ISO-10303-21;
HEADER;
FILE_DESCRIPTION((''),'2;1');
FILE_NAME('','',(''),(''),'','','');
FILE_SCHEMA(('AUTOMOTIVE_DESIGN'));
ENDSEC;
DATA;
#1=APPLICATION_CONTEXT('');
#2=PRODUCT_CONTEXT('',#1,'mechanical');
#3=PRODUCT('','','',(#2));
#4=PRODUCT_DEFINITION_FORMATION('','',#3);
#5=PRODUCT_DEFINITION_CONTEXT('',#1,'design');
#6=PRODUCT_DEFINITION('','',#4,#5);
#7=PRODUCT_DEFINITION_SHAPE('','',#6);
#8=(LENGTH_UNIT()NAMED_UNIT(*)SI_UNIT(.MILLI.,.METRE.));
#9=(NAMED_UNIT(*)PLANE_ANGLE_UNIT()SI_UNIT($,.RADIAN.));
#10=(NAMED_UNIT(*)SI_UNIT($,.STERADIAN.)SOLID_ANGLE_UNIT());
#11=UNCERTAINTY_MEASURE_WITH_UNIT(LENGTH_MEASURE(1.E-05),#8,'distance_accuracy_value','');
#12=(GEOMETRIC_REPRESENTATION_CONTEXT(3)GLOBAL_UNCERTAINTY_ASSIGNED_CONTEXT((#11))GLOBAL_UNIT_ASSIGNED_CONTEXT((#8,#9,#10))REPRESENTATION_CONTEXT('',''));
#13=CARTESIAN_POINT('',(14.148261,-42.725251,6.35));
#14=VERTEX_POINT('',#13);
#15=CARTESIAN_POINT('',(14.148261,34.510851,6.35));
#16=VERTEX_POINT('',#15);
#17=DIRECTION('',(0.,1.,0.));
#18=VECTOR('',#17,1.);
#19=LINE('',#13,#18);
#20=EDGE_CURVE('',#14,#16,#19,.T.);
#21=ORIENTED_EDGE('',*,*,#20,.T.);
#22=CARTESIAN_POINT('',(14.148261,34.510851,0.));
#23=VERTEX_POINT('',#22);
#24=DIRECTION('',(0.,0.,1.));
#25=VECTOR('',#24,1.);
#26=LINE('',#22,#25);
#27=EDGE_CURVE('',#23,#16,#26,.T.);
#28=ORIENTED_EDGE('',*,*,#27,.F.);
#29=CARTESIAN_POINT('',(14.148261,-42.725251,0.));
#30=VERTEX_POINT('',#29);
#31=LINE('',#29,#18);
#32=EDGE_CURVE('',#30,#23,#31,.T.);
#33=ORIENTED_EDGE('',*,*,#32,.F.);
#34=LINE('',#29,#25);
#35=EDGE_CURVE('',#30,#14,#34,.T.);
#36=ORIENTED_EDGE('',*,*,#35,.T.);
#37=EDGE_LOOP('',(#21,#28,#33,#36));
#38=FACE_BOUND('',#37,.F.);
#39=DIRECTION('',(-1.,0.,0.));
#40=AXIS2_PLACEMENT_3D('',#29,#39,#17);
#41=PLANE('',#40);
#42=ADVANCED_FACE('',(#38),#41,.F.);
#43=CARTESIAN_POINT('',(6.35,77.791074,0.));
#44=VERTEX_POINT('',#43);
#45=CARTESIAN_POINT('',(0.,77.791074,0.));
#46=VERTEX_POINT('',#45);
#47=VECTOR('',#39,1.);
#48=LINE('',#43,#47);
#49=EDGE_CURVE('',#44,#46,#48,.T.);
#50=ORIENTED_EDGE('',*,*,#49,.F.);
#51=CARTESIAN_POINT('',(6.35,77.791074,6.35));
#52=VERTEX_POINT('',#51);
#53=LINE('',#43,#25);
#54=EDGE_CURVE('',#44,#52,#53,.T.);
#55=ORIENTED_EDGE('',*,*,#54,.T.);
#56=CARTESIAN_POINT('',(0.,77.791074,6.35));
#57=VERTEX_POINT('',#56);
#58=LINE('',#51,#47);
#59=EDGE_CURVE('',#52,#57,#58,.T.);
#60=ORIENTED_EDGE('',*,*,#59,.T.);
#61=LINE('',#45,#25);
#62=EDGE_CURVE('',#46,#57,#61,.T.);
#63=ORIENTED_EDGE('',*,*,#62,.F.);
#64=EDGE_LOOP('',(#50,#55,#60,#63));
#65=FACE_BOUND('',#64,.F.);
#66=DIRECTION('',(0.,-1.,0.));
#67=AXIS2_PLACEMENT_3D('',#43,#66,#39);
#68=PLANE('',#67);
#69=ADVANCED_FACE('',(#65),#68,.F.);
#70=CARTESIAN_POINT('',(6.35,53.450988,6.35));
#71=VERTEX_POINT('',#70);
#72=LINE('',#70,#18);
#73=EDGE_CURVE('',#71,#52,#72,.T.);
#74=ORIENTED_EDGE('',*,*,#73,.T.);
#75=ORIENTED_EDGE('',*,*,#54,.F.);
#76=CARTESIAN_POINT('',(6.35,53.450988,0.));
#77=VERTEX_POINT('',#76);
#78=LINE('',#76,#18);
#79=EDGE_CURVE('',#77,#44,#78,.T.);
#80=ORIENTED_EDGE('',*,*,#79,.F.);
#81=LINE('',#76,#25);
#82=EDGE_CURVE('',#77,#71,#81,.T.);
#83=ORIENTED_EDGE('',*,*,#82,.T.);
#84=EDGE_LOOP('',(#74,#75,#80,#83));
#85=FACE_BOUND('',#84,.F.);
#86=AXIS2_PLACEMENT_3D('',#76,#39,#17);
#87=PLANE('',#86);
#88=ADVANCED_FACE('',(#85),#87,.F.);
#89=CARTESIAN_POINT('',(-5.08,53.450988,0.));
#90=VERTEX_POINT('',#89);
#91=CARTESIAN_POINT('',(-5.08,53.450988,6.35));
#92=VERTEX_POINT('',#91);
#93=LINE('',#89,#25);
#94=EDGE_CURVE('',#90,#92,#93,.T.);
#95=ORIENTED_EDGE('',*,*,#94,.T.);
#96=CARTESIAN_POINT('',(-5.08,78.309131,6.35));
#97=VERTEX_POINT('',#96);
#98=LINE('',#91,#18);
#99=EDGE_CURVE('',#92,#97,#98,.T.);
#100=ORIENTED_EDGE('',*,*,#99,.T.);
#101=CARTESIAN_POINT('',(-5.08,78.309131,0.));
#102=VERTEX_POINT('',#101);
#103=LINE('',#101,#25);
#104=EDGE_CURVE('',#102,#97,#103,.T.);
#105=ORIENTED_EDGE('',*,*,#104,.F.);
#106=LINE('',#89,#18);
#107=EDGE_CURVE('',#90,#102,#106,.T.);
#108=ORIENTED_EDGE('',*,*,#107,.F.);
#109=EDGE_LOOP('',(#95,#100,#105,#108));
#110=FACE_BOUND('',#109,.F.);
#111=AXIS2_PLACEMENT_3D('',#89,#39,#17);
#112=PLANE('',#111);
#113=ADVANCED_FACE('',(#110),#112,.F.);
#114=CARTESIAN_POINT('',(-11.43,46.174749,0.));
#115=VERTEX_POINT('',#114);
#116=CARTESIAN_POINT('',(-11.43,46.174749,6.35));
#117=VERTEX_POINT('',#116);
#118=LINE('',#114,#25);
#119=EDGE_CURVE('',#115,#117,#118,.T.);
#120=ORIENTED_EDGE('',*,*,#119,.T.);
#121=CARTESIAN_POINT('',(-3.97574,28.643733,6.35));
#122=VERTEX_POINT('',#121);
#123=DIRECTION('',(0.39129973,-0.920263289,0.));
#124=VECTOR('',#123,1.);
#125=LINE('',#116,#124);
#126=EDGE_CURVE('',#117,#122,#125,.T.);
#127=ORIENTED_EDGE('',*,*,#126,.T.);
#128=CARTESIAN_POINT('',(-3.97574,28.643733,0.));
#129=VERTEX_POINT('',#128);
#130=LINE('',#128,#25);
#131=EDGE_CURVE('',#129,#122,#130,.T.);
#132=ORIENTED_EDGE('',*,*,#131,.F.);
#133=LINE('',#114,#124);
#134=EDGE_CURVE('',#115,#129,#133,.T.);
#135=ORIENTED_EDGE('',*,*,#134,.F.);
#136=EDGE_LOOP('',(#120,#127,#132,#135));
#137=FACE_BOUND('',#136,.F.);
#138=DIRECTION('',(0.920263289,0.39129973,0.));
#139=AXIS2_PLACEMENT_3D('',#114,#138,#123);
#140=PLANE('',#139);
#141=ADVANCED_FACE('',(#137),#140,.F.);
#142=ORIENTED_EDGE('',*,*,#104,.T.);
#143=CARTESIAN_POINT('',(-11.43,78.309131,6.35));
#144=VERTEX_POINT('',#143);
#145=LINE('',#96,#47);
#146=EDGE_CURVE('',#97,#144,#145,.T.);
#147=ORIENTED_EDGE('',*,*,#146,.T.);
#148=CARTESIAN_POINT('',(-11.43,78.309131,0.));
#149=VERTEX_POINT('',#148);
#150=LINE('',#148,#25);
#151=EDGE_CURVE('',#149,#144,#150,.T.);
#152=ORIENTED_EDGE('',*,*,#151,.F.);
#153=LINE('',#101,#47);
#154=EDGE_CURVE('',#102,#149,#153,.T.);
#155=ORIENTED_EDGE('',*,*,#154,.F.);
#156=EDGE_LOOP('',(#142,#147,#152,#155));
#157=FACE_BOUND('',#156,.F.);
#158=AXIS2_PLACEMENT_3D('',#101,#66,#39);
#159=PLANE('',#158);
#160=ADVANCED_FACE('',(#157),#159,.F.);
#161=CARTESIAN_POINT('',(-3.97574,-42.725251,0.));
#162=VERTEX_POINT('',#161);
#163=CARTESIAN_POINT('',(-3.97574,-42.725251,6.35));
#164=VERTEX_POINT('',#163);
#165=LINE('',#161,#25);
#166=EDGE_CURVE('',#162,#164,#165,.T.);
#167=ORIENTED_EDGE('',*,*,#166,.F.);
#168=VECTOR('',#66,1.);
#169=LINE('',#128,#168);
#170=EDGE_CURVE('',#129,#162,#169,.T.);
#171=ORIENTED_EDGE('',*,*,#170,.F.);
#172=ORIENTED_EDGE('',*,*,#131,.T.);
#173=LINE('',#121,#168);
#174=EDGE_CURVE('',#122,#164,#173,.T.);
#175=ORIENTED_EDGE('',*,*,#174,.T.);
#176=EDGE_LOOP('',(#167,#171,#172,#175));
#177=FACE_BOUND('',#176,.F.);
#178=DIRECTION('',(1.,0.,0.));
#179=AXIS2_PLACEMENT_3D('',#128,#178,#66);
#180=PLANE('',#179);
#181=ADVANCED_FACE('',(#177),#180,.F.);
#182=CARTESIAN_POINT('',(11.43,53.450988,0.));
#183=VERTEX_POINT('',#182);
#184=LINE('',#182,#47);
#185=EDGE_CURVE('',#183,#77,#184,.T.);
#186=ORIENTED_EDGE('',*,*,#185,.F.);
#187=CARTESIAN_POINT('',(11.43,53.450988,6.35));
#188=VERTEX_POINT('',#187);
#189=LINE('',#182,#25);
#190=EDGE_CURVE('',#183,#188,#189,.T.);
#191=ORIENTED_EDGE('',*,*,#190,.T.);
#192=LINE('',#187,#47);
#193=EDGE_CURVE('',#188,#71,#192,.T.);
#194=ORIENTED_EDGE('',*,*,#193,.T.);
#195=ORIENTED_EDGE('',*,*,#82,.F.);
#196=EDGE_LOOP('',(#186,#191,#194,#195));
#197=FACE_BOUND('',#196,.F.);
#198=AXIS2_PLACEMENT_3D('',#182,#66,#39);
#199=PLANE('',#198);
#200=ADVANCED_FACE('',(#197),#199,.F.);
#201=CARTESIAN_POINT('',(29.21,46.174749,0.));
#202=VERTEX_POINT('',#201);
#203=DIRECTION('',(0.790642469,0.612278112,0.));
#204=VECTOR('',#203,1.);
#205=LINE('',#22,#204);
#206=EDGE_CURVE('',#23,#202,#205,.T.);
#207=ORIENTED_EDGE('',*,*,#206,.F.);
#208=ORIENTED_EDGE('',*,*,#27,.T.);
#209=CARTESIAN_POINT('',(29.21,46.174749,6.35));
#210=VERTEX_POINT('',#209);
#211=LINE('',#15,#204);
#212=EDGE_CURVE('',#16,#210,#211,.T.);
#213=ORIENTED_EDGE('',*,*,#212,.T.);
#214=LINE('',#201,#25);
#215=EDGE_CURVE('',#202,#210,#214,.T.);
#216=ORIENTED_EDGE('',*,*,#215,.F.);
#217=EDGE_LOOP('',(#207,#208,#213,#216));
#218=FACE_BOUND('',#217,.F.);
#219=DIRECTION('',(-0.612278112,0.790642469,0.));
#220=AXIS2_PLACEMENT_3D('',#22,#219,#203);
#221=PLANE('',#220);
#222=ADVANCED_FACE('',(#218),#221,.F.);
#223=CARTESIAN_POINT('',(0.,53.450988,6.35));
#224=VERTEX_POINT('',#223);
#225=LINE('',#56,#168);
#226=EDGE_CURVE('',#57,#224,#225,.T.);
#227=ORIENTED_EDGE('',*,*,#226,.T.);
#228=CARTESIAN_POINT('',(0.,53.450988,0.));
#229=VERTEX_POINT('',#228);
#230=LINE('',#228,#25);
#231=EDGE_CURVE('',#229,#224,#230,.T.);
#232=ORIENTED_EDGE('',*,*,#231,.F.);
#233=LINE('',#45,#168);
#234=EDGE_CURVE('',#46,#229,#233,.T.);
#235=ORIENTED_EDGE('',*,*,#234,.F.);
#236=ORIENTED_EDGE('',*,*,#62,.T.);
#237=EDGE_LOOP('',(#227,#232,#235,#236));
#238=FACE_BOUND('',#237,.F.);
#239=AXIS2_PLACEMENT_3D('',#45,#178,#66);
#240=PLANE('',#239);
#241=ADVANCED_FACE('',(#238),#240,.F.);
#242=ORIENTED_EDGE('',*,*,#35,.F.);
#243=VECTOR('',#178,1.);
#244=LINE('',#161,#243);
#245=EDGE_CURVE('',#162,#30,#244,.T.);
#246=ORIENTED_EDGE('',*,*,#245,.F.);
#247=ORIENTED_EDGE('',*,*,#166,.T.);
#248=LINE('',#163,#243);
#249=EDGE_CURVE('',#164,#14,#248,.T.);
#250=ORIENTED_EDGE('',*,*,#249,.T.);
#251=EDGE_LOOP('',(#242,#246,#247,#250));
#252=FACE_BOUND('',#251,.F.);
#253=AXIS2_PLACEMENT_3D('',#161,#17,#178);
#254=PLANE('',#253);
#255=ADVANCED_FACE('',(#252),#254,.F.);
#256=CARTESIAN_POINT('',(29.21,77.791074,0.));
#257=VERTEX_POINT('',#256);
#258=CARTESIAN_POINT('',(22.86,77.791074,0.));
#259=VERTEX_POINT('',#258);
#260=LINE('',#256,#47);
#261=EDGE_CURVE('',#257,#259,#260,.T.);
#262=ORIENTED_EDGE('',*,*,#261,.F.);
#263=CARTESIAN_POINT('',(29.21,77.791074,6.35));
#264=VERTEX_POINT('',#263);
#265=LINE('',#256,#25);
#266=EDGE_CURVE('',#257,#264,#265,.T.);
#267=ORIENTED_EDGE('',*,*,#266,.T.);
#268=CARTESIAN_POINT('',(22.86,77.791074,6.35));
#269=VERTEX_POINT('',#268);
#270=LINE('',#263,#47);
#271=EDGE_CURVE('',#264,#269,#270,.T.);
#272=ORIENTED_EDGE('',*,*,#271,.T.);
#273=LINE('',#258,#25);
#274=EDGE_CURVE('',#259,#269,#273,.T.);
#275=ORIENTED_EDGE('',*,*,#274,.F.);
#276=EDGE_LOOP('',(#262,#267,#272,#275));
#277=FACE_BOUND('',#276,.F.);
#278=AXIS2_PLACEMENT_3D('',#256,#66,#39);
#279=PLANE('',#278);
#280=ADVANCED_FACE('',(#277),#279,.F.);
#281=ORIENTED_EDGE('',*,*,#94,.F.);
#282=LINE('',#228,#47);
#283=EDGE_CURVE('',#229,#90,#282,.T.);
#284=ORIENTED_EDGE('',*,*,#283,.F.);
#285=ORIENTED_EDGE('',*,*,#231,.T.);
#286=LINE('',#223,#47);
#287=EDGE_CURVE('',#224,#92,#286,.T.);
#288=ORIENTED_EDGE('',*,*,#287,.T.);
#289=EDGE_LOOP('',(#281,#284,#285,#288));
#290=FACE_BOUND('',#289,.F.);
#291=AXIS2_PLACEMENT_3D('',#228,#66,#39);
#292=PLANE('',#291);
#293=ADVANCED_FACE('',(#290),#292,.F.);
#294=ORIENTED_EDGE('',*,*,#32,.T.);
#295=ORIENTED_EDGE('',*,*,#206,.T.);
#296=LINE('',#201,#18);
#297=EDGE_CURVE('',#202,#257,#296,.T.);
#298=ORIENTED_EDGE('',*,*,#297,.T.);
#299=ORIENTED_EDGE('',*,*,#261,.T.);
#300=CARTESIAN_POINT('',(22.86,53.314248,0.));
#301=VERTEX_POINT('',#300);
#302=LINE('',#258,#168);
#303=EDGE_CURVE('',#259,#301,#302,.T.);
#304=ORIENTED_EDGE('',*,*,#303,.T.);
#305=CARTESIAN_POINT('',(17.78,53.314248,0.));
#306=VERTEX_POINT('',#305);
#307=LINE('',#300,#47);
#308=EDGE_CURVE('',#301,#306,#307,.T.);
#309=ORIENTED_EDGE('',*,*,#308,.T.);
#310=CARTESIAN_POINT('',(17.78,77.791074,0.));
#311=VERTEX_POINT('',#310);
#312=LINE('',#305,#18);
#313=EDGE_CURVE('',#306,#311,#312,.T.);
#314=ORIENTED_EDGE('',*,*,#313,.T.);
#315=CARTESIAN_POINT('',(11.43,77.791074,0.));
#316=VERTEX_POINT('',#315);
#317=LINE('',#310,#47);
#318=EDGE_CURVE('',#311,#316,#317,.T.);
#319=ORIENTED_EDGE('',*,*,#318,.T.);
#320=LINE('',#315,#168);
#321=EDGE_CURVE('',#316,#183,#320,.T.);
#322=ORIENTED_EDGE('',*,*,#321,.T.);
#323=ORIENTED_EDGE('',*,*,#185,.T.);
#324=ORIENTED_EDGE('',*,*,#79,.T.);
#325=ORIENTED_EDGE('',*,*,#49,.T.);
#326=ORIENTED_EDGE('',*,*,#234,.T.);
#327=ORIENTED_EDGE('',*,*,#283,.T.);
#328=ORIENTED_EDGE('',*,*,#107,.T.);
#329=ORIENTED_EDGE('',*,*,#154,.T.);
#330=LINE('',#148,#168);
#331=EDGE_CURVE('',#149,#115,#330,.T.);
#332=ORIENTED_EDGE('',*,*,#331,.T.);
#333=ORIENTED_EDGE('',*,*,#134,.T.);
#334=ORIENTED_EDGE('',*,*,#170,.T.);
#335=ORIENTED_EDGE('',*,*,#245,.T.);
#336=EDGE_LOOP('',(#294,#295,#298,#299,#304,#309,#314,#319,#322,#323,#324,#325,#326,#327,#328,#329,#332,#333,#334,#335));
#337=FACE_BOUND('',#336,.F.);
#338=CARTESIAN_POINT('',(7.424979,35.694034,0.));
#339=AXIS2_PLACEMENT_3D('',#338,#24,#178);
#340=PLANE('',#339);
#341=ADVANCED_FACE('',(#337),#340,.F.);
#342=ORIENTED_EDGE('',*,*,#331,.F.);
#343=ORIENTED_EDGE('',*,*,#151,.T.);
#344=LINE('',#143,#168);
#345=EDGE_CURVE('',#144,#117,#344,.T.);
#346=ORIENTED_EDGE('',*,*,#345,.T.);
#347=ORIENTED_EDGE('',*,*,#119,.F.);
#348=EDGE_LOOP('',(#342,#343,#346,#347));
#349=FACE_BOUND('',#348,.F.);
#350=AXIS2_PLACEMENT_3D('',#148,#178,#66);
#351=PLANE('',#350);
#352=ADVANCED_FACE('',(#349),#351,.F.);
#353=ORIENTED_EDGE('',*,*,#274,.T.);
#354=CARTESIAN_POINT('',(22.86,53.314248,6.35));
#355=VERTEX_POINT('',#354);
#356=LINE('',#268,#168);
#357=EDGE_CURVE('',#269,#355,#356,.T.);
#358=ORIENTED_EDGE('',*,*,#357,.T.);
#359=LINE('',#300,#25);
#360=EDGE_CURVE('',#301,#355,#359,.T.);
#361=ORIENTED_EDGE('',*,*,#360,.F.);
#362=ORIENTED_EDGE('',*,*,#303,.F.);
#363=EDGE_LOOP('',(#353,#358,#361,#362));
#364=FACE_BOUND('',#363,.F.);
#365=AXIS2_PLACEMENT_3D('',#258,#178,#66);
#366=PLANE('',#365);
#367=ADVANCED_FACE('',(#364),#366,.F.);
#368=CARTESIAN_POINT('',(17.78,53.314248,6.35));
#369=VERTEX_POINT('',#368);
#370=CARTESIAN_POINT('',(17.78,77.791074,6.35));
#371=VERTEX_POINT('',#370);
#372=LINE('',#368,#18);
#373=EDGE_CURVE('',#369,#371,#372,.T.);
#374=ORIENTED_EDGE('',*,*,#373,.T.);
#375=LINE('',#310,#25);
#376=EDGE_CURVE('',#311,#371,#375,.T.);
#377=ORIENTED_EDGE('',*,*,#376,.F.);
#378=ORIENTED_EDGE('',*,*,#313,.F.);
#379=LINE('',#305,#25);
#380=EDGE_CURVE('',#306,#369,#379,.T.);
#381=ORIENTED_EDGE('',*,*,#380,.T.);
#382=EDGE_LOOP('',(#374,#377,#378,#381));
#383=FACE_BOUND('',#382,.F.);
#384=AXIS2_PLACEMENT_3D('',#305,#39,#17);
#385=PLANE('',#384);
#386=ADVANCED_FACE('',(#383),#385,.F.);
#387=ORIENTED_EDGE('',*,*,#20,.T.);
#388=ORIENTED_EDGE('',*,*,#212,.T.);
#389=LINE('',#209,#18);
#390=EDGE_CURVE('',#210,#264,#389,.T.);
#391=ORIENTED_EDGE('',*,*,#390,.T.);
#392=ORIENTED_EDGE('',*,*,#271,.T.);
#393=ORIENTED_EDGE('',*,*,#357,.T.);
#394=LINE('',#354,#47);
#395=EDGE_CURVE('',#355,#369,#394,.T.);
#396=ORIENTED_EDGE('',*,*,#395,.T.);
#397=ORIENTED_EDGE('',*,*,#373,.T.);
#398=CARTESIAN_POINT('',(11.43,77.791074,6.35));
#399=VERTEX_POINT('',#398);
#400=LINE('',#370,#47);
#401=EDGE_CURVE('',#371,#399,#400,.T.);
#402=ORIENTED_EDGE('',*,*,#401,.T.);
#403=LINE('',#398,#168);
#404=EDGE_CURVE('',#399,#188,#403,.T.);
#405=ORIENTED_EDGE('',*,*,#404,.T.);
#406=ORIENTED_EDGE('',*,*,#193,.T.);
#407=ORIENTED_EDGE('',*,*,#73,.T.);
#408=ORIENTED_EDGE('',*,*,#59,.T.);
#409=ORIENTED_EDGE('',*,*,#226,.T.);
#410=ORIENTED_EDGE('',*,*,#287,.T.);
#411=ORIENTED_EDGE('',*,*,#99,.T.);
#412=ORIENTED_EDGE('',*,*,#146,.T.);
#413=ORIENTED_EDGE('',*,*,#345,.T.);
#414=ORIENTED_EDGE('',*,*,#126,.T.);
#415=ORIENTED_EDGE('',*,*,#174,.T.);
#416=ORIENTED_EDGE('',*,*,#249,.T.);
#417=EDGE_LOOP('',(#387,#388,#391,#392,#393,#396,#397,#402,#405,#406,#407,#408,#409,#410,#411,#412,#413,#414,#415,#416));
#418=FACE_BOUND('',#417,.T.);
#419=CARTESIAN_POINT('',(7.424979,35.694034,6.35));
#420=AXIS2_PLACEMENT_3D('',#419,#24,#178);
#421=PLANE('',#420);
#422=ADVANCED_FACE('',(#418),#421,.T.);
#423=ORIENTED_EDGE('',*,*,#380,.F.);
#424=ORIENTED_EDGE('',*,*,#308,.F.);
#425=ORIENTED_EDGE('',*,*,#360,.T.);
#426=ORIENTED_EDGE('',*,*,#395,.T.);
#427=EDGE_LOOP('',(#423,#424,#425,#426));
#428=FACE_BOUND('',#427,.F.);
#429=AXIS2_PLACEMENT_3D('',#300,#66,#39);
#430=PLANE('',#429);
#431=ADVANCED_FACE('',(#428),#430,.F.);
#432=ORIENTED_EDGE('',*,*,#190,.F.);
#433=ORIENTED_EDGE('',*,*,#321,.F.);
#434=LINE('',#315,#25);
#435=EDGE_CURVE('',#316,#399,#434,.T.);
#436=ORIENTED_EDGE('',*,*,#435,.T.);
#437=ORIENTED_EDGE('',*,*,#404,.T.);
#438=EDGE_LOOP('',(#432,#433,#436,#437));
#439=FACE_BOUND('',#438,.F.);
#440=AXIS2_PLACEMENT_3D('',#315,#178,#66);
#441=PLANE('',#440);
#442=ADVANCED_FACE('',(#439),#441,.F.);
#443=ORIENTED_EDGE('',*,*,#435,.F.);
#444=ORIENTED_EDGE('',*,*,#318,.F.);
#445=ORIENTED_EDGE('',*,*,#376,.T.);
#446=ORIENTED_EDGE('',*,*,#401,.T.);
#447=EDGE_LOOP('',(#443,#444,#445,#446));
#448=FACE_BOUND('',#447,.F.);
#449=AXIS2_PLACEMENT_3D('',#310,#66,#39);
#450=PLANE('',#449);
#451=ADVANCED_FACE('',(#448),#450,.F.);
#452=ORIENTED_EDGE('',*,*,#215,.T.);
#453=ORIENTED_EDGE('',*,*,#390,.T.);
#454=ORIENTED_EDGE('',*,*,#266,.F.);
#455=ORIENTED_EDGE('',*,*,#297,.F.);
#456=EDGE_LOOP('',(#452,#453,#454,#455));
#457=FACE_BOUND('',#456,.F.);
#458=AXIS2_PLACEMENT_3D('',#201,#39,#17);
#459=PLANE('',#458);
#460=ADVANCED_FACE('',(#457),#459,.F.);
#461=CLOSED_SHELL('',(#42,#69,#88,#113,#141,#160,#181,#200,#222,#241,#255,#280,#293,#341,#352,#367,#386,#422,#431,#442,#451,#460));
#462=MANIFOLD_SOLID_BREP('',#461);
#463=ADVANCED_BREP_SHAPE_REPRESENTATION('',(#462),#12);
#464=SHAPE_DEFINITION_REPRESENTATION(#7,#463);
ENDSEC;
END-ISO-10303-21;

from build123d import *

# Parameters (mm, degrees)
F1_DEPTH = 6.35


with BuildPart() as f1:
    # F0 (on Top) → F1 (new body)
    with BuildSketch(Plane.XY):
        Polygon((-3.97574, 28.643733), (-3.97574, -42.725251), (14.148261, -42.725251), (14.148261, 34.510851), (29.21, 46.174749), (29.21, 77.791074), (22.86, 77.791074), (22.86, 53.314248), (17.78, 53.314248), (17.78, 77.791074), (11.43, 77.791074), (11.43, 53.450988), (6.35, 53.450988), (6.35, 77.791074), (0, 77.791074), (0, 53.450988), (-5.08, 53.450988), (-5.08, 78.309131), (-11.43, 78.309131), (-11.43, 46.174749), align=None)
    extrude(amount=F1_DEPTH)


solid = f1.part
